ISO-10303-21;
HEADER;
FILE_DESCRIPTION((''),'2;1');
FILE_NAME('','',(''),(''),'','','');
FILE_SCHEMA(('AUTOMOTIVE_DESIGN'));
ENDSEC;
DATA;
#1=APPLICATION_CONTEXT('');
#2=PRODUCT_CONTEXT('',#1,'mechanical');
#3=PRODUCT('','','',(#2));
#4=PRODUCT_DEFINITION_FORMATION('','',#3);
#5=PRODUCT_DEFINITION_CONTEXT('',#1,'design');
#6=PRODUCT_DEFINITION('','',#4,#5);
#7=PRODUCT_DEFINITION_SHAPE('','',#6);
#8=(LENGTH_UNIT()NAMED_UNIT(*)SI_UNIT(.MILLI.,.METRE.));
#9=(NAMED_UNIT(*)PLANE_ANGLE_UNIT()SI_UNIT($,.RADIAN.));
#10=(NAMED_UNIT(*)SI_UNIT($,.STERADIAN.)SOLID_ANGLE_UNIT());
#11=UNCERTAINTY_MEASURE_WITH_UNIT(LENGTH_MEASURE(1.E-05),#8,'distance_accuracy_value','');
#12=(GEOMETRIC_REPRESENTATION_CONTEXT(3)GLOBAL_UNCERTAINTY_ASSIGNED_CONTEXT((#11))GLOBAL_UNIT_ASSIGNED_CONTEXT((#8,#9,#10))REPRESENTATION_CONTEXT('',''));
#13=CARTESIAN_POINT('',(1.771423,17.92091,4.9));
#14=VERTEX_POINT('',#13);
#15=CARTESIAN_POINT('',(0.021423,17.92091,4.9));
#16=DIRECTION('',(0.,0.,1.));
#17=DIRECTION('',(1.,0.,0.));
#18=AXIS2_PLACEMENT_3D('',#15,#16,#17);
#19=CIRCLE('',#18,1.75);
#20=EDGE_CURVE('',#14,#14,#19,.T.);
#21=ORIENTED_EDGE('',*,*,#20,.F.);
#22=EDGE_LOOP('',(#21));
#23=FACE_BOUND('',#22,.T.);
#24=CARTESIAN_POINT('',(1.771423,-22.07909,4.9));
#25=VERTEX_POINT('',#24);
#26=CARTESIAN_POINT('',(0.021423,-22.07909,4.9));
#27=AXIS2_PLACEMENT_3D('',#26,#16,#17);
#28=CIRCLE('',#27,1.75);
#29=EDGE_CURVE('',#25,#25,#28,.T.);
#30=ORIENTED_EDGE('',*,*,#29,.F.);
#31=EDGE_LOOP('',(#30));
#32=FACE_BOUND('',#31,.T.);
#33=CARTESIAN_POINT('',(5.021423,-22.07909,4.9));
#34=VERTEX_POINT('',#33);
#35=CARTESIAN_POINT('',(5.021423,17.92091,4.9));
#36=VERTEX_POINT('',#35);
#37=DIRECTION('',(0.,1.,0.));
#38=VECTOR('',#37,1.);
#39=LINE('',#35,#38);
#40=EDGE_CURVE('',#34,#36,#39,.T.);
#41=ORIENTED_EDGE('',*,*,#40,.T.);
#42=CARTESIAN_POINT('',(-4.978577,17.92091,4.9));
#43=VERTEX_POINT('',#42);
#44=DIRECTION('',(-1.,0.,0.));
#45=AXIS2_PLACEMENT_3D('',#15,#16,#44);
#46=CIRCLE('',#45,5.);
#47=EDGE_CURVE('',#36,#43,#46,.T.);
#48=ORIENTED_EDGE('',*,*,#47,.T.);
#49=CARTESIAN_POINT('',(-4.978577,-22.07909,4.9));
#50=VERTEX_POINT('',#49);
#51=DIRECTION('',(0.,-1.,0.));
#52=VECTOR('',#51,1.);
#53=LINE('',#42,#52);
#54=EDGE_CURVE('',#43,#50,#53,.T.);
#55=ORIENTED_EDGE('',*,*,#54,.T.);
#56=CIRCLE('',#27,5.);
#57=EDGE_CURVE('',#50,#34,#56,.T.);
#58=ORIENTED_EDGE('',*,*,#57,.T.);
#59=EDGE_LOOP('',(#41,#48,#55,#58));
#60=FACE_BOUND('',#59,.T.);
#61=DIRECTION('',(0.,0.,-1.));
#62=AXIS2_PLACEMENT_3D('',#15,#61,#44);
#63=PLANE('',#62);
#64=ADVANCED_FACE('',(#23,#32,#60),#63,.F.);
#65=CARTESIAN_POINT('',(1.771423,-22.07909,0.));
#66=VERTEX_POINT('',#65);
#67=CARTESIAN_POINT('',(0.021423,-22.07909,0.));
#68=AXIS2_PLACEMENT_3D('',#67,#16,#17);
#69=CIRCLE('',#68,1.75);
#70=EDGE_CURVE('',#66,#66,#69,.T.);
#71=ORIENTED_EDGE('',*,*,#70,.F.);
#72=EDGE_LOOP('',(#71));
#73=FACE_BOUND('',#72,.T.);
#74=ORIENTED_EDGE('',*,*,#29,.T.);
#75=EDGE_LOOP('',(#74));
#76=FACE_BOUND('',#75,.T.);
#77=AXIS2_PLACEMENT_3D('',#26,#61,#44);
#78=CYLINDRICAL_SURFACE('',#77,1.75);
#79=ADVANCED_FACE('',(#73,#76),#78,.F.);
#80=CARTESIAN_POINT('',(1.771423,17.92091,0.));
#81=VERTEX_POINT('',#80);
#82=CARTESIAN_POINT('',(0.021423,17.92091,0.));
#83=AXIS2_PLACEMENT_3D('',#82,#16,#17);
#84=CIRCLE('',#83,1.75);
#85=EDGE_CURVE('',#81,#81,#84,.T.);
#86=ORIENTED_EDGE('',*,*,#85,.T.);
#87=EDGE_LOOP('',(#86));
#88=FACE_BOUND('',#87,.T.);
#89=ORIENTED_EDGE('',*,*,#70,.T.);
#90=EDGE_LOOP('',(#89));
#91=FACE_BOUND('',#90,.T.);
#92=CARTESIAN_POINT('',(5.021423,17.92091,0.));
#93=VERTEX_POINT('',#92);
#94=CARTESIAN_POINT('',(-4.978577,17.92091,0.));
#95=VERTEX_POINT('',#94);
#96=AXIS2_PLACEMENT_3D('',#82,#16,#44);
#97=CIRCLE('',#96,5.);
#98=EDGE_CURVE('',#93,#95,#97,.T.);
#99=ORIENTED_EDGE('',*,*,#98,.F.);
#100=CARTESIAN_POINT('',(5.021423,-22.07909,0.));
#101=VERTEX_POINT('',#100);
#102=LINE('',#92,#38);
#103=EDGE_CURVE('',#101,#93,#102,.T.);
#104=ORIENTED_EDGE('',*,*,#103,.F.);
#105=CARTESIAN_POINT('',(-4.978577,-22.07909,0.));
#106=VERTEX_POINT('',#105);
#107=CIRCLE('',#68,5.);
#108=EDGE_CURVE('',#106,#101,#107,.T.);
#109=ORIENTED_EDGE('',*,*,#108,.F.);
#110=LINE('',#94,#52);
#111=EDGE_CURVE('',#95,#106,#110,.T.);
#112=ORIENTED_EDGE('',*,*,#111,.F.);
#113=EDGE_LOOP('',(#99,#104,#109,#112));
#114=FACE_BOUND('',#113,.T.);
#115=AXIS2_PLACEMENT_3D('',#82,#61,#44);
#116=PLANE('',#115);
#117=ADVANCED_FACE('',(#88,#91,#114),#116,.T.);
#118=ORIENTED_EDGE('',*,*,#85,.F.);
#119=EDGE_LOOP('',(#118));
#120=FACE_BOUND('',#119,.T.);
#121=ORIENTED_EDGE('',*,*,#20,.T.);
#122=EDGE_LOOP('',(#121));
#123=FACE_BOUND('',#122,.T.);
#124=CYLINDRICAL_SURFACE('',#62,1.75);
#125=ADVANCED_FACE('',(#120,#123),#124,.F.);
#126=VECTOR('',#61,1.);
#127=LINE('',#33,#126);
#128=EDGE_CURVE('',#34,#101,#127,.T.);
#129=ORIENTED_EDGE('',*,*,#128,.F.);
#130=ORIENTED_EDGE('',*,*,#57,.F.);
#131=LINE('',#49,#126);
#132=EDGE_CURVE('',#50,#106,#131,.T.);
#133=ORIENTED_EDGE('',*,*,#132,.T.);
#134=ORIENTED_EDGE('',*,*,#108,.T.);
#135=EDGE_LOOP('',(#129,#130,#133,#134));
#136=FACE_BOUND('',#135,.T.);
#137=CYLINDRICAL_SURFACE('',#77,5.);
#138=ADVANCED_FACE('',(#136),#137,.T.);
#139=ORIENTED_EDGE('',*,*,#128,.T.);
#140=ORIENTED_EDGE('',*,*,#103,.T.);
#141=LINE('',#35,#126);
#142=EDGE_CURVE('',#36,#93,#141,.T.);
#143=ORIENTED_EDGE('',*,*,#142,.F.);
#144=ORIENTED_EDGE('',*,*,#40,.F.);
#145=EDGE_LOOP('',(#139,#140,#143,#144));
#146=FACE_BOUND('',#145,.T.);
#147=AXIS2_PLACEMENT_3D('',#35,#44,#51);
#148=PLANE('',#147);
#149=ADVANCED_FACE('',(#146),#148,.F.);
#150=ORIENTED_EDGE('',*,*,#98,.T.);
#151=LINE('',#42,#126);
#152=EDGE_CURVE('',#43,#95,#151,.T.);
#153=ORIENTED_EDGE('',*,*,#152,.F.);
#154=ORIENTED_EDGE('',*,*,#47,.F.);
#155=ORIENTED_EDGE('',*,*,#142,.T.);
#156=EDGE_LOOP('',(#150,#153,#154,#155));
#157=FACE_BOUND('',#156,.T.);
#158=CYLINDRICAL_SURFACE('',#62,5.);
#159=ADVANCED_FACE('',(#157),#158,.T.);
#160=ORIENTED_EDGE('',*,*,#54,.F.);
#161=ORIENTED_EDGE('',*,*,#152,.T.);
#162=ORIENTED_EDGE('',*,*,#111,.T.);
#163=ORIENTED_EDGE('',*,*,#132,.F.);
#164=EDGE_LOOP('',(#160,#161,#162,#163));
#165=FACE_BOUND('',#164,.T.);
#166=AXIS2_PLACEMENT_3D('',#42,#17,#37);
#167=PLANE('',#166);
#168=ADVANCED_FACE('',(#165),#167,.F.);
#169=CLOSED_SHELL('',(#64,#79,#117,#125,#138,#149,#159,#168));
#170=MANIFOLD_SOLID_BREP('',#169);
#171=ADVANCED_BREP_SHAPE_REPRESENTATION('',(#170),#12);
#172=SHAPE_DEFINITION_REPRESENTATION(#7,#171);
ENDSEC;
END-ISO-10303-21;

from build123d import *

# Parameters (mm, degrees)
SKETCH3_R           = 1.75
BOSS_EXTRUDE1_DEPTH = 4.9


with BuildPart() as part:
    # Sketch3 → Boss-Extrude1 (new body)
    with BuildSketch(Plane.XY):
        with BuildLine():
            Line((-4.978576916, 17.920910071), (-4.978576916, -22.079089929))
            ThreePointArc((-4.978576916, -22.079089929), (0.021423084, -27.079089929), (5.021423084, -22.079089929))
            Line((5.021423084, -22.079089929), (5.021423084, 17.920910071))
            ThreePointArc((5.021423084, 17.920910071), (0.021423084, 22.920910071), (-4.978576916, 17.920910071))
        make_face()
        with Locations((0.021423084, 17.920910071)):
            Circle(SKETCH3_R, mode=Mode.SUBTRACT)
        with Locations((0.021423084, -22.079089929)):
            Circle(SKETCH3_R, mode=Mode.SUBTRACT)
    extrude(amount=BOSS_EXTRUDE1_DEPTH)


solid = part.part
